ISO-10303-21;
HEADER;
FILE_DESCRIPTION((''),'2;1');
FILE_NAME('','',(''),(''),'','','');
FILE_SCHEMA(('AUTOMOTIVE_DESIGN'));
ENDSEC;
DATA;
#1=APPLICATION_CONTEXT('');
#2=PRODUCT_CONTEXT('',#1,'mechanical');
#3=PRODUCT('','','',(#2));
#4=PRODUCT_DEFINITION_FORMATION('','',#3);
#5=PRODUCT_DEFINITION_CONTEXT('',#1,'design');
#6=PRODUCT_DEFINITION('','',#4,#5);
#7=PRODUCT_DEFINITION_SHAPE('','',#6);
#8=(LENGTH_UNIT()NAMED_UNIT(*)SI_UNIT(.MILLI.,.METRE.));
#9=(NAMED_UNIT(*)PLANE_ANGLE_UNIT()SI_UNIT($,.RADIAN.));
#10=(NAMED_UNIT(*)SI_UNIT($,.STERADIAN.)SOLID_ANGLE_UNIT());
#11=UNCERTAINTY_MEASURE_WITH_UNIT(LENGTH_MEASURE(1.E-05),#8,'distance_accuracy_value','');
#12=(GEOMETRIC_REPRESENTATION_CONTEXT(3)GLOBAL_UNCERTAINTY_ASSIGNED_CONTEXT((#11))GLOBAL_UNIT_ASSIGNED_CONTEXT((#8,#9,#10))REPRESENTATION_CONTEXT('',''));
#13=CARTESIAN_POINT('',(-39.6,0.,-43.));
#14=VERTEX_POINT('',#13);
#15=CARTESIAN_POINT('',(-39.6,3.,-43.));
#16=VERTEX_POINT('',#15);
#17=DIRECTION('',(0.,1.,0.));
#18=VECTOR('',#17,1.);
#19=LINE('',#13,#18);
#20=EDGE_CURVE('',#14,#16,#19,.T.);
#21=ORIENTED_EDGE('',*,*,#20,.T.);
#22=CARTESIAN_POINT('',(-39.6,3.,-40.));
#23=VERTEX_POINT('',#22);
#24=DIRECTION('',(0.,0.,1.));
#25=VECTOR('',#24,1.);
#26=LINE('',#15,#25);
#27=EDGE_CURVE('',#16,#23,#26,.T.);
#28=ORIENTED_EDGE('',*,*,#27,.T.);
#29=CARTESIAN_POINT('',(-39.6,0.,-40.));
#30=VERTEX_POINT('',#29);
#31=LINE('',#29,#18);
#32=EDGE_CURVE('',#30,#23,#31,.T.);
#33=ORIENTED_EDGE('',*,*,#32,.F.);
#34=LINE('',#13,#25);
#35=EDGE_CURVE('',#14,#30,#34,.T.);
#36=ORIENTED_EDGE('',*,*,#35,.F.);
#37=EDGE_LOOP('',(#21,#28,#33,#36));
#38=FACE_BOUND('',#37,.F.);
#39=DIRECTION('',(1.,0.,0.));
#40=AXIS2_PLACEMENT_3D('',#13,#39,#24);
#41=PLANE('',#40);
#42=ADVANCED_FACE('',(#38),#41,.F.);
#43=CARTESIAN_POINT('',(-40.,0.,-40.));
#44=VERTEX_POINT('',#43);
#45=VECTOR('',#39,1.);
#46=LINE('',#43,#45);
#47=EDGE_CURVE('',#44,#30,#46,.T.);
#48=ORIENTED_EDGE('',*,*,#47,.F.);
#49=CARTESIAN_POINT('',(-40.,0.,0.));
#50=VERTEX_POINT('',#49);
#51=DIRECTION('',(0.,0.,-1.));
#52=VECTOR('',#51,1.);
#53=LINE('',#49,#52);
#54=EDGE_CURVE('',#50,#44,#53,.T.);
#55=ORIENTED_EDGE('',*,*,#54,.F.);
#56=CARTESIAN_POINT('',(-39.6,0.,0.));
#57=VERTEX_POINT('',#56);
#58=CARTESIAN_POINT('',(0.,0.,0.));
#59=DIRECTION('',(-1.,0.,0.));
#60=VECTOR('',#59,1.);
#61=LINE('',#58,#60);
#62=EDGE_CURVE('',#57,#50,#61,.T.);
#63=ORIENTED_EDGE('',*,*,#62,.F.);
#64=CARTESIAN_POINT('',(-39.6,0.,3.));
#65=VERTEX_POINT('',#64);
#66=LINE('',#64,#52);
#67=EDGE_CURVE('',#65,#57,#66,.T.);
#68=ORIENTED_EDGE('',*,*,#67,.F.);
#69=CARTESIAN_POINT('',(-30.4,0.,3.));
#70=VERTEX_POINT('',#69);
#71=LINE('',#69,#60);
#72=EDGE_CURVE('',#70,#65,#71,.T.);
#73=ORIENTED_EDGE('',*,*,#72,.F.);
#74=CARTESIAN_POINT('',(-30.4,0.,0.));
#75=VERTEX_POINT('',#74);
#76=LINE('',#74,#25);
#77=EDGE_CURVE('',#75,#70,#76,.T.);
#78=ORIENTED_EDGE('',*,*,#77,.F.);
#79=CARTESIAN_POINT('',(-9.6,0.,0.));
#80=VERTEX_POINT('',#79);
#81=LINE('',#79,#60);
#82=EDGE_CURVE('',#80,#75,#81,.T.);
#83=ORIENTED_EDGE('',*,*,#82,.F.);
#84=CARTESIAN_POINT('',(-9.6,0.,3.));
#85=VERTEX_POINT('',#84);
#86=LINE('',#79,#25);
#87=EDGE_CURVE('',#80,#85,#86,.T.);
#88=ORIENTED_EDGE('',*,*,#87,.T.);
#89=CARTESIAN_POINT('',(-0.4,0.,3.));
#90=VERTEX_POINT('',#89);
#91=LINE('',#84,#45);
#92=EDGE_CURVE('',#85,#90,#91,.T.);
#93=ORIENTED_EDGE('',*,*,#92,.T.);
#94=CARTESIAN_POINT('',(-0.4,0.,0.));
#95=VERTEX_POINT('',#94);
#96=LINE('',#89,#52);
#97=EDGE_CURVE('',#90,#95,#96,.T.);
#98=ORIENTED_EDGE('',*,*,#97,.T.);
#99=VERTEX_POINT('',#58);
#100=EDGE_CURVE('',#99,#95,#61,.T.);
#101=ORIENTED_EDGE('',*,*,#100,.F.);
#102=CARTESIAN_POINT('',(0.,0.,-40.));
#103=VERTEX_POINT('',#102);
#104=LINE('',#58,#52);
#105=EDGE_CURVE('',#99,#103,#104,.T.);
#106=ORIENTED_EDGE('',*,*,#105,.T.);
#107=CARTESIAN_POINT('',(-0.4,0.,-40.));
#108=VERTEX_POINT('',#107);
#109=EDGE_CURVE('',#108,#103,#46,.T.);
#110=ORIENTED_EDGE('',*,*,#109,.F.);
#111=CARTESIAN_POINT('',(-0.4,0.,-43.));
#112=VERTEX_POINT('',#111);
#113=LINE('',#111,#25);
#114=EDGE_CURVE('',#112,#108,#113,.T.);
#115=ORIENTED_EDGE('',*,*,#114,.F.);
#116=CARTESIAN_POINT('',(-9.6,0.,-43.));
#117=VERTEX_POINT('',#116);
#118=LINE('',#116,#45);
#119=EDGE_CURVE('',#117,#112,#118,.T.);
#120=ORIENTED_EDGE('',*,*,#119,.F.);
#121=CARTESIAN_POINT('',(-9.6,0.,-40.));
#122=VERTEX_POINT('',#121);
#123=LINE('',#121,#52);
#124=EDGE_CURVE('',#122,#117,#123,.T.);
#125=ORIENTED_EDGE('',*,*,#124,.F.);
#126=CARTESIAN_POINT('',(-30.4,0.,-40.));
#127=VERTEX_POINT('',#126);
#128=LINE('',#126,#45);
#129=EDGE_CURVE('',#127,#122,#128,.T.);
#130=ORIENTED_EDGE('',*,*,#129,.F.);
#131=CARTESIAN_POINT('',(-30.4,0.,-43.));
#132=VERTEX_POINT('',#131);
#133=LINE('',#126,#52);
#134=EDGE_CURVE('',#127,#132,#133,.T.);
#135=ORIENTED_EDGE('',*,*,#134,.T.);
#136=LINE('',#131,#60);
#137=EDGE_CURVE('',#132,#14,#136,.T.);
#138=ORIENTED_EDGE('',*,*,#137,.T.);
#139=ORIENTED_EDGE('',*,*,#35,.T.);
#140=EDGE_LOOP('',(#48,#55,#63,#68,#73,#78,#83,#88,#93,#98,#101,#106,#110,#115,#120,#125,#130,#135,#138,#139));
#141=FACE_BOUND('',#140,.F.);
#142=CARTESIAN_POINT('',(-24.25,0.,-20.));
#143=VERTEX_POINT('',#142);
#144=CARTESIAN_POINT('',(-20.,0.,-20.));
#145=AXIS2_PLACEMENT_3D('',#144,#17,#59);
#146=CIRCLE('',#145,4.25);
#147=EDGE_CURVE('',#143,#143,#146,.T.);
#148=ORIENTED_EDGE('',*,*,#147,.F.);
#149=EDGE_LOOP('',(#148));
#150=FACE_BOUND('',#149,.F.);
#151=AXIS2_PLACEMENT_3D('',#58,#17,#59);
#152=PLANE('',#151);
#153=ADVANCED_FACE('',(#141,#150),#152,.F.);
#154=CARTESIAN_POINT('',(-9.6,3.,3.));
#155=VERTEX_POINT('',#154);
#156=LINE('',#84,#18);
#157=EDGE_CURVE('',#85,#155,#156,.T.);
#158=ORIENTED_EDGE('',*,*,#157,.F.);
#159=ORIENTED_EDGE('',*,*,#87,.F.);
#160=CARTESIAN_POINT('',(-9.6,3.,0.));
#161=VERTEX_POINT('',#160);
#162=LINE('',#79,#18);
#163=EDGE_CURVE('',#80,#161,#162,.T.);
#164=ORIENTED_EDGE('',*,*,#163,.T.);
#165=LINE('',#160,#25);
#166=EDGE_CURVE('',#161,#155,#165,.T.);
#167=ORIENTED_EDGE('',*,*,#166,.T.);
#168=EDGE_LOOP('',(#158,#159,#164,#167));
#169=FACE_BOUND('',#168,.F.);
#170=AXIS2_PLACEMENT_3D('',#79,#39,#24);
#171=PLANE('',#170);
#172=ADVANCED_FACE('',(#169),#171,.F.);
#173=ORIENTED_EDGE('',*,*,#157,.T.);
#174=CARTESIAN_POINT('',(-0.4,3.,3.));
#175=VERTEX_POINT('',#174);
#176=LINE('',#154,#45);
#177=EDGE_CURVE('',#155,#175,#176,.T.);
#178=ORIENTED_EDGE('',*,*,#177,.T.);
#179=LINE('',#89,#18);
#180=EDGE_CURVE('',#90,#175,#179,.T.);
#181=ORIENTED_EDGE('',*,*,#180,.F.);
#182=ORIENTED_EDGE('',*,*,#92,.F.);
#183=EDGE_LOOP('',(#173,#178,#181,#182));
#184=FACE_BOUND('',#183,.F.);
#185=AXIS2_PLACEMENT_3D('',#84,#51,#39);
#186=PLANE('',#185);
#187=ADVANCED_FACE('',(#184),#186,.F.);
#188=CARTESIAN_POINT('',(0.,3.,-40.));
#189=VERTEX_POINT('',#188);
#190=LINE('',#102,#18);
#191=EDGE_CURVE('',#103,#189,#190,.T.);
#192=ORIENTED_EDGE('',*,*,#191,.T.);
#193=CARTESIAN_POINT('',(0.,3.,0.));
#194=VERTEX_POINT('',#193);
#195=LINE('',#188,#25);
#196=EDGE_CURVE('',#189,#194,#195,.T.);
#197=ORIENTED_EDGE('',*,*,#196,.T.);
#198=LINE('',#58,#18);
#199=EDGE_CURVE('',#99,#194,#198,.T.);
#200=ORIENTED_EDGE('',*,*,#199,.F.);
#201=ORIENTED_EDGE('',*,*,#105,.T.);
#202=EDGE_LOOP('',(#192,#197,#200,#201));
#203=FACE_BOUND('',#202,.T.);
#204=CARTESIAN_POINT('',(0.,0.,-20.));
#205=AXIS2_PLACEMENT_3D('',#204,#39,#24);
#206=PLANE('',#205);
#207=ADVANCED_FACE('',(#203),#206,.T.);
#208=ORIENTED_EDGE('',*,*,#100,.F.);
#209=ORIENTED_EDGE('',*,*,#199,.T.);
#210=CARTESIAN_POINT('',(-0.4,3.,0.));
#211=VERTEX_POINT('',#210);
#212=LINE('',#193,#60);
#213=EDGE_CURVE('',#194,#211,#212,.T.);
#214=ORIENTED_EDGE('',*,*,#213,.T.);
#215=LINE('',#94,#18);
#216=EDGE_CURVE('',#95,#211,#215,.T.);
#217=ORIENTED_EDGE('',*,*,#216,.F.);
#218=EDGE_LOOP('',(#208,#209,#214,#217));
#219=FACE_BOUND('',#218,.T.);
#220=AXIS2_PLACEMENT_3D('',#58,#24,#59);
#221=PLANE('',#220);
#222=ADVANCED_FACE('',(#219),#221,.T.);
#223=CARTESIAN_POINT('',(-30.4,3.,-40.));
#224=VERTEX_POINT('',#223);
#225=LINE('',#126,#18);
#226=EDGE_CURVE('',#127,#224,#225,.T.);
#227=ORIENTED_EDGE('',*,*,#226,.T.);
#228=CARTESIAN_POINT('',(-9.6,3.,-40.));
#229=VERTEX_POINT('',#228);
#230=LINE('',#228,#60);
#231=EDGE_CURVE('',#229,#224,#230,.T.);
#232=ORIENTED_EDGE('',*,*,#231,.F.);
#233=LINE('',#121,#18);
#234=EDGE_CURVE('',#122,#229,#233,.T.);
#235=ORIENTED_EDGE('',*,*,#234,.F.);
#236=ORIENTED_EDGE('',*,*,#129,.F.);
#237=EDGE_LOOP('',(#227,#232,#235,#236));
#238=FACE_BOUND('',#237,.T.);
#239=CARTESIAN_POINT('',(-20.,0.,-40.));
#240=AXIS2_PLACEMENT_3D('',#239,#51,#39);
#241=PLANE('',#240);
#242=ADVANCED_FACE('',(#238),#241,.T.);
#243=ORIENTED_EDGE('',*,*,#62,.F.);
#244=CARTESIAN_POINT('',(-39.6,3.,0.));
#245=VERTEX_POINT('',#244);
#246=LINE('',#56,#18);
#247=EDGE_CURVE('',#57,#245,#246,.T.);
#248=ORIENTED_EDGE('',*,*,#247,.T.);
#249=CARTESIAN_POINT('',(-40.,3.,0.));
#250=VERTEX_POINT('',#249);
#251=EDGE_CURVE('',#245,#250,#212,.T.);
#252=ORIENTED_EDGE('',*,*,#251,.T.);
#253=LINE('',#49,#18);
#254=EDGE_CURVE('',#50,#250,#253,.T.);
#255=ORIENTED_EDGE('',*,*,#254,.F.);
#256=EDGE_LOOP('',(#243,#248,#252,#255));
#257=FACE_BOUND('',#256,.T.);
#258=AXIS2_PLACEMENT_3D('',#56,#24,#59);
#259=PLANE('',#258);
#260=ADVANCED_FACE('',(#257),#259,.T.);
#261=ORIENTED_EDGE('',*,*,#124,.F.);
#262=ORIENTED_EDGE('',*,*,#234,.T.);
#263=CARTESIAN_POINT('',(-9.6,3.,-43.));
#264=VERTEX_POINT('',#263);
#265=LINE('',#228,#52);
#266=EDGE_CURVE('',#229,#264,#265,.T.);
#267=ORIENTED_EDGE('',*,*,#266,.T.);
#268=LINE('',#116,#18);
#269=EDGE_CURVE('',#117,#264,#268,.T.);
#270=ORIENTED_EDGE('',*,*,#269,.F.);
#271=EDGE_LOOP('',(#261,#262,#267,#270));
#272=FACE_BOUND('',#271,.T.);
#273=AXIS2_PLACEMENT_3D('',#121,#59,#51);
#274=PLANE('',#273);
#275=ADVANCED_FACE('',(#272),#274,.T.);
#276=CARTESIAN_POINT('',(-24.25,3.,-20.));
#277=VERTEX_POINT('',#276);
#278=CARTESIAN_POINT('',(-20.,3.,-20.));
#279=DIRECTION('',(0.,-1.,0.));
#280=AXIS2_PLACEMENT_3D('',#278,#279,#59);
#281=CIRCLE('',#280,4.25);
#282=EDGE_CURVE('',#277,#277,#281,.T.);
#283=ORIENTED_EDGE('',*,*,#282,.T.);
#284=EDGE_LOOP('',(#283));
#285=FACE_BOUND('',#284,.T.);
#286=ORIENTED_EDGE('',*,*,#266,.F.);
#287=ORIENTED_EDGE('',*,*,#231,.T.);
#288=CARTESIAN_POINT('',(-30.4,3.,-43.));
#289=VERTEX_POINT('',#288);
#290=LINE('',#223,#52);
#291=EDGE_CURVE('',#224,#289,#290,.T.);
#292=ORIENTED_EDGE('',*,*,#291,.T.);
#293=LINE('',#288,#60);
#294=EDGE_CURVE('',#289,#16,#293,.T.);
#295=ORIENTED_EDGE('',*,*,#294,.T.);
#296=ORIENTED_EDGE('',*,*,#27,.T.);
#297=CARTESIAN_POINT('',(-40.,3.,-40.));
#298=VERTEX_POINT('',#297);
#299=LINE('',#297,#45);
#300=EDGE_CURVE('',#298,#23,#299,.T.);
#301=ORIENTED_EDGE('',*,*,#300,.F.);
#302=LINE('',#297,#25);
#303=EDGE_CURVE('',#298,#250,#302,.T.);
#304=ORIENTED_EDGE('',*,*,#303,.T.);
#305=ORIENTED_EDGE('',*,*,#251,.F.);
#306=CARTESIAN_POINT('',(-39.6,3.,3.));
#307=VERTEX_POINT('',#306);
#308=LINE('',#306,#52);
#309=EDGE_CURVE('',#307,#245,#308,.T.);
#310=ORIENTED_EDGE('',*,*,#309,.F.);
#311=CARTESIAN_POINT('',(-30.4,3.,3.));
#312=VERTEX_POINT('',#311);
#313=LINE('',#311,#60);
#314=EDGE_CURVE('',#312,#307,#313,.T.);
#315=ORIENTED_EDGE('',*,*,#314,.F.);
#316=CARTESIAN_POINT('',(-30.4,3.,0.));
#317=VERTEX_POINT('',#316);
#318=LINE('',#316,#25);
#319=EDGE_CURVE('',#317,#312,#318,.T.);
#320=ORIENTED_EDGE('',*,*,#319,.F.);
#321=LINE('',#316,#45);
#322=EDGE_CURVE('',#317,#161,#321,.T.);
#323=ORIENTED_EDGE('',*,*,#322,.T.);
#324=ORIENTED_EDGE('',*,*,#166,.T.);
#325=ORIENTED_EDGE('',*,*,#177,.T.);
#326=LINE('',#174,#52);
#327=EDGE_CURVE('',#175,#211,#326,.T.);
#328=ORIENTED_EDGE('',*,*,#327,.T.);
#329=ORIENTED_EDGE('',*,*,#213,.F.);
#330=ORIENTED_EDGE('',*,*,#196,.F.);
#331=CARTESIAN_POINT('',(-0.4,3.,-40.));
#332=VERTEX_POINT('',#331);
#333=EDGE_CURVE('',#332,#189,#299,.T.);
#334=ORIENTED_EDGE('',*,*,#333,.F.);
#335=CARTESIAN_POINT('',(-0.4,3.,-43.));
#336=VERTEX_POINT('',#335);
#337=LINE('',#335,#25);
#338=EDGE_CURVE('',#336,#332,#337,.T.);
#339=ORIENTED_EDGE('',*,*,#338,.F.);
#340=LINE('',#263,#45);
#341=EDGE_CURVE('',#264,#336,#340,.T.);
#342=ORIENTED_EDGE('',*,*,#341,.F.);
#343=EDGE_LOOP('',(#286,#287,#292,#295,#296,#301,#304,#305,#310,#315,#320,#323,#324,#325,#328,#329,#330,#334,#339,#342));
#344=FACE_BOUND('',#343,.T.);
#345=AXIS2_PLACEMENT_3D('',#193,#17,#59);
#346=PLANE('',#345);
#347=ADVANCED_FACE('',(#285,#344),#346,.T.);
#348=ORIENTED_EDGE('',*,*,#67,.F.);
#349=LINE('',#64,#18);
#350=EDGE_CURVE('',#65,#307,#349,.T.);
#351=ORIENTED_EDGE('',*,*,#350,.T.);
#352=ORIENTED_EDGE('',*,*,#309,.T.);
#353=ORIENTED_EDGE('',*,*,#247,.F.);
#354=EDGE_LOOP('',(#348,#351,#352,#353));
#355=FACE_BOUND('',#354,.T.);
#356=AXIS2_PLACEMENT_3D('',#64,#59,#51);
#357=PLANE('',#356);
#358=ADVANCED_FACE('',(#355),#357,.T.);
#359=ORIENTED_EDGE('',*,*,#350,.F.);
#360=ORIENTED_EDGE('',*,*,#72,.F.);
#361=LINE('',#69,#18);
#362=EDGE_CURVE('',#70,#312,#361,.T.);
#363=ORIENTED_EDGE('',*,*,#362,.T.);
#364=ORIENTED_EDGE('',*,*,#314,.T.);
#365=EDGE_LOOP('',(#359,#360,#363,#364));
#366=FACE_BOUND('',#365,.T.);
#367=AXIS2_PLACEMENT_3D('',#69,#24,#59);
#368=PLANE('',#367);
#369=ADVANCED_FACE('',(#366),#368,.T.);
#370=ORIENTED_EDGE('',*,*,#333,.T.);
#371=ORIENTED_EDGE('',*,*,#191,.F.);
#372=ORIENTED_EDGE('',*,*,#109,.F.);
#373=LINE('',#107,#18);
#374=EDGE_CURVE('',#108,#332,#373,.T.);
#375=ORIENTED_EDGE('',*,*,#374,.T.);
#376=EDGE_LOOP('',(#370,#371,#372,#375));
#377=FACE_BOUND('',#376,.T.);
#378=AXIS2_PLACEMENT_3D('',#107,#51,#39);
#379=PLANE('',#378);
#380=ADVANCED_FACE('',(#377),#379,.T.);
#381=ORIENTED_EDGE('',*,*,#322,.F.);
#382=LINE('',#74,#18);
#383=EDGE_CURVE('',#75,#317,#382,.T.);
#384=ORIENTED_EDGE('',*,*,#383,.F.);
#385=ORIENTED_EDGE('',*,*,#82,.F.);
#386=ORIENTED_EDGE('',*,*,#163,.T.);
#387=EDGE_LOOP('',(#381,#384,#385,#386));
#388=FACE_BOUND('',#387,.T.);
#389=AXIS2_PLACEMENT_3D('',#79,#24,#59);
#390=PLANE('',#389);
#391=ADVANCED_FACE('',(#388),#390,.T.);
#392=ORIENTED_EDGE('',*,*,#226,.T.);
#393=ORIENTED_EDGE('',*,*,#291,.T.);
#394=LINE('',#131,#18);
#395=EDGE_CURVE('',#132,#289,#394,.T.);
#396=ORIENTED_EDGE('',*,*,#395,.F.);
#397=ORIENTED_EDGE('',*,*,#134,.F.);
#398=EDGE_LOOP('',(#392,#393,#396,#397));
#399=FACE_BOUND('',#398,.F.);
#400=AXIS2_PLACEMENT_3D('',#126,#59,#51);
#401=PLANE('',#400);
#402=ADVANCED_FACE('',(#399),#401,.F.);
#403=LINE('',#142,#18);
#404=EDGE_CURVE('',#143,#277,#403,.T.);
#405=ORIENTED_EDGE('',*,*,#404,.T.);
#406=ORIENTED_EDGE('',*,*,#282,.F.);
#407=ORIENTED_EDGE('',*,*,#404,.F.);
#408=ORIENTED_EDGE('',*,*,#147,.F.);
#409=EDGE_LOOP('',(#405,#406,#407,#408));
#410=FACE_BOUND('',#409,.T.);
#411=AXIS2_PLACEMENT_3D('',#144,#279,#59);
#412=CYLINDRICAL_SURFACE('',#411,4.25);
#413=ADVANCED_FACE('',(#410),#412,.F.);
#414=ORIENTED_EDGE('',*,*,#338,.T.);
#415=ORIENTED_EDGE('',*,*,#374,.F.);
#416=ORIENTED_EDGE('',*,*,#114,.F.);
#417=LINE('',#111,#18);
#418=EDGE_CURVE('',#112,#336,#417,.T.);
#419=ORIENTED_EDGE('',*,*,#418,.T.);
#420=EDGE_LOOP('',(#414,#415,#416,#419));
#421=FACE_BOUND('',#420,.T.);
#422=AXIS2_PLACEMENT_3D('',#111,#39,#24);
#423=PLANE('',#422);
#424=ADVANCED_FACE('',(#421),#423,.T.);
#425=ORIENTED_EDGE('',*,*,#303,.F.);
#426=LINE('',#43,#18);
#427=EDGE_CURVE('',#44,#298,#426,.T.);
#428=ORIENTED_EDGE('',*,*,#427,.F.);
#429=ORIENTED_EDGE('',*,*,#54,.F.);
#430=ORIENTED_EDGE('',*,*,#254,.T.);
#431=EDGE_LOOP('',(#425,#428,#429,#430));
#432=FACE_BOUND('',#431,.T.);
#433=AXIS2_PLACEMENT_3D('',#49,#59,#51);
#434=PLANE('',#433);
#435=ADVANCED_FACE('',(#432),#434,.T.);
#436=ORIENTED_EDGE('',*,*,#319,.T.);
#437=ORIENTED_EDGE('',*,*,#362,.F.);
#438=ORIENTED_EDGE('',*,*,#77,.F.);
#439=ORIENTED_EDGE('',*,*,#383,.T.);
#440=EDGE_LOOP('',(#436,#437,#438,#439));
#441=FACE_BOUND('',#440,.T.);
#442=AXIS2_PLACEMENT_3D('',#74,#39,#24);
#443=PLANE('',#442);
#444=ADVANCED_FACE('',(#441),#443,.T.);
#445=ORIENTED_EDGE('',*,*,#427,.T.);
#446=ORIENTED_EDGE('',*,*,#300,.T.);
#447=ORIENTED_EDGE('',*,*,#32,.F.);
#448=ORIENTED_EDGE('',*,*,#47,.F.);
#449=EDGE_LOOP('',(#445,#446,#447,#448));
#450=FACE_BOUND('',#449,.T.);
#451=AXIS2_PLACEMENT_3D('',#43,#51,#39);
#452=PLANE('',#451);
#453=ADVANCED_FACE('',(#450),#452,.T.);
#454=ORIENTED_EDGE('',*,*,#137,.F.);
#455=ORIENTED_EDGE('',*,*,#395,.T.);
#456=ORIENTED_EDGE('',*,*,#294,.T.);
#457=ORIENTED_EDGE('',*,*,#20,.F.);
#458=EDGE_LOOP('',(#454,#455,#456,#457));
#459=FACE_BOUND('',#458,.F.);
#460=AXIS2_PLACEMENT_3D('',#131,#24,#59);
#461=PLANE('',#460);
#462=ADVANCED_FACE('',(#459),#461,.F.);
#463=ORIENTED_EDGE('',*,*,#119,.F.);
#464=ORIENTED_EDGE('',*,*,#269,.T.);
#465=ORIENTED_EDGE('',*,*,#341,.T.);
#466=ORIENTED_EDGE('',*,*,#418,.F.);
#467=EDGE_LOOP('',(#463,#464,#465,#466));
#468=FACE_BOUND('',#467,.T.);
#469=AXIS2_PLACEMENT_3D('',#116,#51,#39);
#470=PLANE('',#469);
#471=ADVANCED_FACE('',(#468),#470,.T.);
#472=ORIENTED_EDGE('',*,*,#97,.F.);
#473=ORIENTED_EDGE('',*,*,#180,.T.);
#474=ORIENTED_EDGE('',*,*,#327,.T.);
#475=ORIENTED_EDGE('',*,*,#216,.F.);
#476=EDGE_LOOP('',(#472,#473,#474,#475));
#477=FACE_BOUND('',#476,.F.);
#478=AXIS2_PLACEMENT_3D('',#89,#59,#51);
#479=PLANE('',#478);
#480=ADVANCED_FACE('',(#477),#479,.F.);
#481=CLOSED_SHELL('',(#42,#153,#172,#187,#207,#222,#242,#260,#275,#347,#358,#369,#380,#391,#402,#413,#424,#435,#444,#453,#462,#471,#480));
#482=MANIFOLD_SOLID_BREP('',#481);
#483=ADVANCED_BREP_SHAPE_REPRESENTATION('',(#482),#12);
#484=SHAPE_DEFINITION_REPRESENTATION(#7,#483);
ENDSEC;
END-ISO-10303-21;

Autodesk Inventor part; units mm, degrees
ref_plane "YZ Plane" through (0, 0, 0) normal (1, 0, 0) x (0, 1, 0)
ref_plane "XZ Plane" through (0, 0, 0) normal (0, 1, 0) x (-1, 0, 0)
ref_plane "XY Plane" through (0, 0, 0) normal (0, 0, 1) x (1, 0, 0)
sketch "Sketch1" plane through (0, 0, 0) normal (0, 1, 0) x (-1, 0, 0)
  line L0 (0, 0) -> (40, 0)
  line L1 (40, 0) -> (40, -40)
  line L2 (40, -40) -> (0, -40)
  line L3 (0, -40) -> (0, 0)
  line L4 (0, 0) -> (9.6, 0)
  line L5 (9.6, 0) -> (9.6, 3)
  line L6 (9.6, 3) -> (0.4, 3)
  line L7 (0.4, 3) -> (0.4, 0)
  line L8 (40, -20) -> (0, -20)
  line L9 (20, 0) -> (20, -40)
  circle A0 centre (20, -20) radius 4.25
  line L10 (30.4, 0) -> (30.4, 3)
  line L11 (30.4, 3) -> (39.6, 3)
  line L12 (39.6, 3) -> (39.6, 0)
  line L13 (9.6, -40) -> (9.6, -43)
  line L14 (9.6, -43) -> (0.4, -43)
  line L15 (0.4, -43) -> (0.4, -40)
  line L16 (30.4, -40) -> (30.4, -43)
  line L17 (30.4, -43) -> (39.6, -43)
  line L18 (39.6, -43) -> (39.6, -40)
  point P0 (9.6, 0)
  dimension "d0" = 40
  dimension "d1" = 40
  dimension "d2" = 9.2
  dimension "d3" = 3
  dimension "d5" = 8.5
  dimension "d6" = 0.4
extrude "Plate1" add sketch "Sketch1" along normal blind 3 contours L0 L9 A0 L8 L3 | L7 L6 L5 L0 | L8 A0 L9 L2 L3 | L0 L1 L8 A0 L9 | L2 L13 L14 L15 | A0 L8 L1 L2 L9 | L10 L11 L12 L0 | L2 L18 L17 L16
equation "\"d4\" = Thickness"
equation "\"BendRadius\" = Thickness"
equation "\"BendReliefWidth\" = Thickness"
equation "\"BendReliefDepth\" = 0.5 * Thickness"
equation "\"CornerReliefSize\" = 4 * Thickness"
equation "\"MinimumRemnant\" = 2 * Thickness"
equation "\"TransitionRadius\" = BendRadius"
equation "\"JacobiRadiusSize\" = BendRadius"
equation "\"GapSize\" = Thickness"
equation "\"Thickness\" = 3"
properties part number "A_beam_end_mound_1"
